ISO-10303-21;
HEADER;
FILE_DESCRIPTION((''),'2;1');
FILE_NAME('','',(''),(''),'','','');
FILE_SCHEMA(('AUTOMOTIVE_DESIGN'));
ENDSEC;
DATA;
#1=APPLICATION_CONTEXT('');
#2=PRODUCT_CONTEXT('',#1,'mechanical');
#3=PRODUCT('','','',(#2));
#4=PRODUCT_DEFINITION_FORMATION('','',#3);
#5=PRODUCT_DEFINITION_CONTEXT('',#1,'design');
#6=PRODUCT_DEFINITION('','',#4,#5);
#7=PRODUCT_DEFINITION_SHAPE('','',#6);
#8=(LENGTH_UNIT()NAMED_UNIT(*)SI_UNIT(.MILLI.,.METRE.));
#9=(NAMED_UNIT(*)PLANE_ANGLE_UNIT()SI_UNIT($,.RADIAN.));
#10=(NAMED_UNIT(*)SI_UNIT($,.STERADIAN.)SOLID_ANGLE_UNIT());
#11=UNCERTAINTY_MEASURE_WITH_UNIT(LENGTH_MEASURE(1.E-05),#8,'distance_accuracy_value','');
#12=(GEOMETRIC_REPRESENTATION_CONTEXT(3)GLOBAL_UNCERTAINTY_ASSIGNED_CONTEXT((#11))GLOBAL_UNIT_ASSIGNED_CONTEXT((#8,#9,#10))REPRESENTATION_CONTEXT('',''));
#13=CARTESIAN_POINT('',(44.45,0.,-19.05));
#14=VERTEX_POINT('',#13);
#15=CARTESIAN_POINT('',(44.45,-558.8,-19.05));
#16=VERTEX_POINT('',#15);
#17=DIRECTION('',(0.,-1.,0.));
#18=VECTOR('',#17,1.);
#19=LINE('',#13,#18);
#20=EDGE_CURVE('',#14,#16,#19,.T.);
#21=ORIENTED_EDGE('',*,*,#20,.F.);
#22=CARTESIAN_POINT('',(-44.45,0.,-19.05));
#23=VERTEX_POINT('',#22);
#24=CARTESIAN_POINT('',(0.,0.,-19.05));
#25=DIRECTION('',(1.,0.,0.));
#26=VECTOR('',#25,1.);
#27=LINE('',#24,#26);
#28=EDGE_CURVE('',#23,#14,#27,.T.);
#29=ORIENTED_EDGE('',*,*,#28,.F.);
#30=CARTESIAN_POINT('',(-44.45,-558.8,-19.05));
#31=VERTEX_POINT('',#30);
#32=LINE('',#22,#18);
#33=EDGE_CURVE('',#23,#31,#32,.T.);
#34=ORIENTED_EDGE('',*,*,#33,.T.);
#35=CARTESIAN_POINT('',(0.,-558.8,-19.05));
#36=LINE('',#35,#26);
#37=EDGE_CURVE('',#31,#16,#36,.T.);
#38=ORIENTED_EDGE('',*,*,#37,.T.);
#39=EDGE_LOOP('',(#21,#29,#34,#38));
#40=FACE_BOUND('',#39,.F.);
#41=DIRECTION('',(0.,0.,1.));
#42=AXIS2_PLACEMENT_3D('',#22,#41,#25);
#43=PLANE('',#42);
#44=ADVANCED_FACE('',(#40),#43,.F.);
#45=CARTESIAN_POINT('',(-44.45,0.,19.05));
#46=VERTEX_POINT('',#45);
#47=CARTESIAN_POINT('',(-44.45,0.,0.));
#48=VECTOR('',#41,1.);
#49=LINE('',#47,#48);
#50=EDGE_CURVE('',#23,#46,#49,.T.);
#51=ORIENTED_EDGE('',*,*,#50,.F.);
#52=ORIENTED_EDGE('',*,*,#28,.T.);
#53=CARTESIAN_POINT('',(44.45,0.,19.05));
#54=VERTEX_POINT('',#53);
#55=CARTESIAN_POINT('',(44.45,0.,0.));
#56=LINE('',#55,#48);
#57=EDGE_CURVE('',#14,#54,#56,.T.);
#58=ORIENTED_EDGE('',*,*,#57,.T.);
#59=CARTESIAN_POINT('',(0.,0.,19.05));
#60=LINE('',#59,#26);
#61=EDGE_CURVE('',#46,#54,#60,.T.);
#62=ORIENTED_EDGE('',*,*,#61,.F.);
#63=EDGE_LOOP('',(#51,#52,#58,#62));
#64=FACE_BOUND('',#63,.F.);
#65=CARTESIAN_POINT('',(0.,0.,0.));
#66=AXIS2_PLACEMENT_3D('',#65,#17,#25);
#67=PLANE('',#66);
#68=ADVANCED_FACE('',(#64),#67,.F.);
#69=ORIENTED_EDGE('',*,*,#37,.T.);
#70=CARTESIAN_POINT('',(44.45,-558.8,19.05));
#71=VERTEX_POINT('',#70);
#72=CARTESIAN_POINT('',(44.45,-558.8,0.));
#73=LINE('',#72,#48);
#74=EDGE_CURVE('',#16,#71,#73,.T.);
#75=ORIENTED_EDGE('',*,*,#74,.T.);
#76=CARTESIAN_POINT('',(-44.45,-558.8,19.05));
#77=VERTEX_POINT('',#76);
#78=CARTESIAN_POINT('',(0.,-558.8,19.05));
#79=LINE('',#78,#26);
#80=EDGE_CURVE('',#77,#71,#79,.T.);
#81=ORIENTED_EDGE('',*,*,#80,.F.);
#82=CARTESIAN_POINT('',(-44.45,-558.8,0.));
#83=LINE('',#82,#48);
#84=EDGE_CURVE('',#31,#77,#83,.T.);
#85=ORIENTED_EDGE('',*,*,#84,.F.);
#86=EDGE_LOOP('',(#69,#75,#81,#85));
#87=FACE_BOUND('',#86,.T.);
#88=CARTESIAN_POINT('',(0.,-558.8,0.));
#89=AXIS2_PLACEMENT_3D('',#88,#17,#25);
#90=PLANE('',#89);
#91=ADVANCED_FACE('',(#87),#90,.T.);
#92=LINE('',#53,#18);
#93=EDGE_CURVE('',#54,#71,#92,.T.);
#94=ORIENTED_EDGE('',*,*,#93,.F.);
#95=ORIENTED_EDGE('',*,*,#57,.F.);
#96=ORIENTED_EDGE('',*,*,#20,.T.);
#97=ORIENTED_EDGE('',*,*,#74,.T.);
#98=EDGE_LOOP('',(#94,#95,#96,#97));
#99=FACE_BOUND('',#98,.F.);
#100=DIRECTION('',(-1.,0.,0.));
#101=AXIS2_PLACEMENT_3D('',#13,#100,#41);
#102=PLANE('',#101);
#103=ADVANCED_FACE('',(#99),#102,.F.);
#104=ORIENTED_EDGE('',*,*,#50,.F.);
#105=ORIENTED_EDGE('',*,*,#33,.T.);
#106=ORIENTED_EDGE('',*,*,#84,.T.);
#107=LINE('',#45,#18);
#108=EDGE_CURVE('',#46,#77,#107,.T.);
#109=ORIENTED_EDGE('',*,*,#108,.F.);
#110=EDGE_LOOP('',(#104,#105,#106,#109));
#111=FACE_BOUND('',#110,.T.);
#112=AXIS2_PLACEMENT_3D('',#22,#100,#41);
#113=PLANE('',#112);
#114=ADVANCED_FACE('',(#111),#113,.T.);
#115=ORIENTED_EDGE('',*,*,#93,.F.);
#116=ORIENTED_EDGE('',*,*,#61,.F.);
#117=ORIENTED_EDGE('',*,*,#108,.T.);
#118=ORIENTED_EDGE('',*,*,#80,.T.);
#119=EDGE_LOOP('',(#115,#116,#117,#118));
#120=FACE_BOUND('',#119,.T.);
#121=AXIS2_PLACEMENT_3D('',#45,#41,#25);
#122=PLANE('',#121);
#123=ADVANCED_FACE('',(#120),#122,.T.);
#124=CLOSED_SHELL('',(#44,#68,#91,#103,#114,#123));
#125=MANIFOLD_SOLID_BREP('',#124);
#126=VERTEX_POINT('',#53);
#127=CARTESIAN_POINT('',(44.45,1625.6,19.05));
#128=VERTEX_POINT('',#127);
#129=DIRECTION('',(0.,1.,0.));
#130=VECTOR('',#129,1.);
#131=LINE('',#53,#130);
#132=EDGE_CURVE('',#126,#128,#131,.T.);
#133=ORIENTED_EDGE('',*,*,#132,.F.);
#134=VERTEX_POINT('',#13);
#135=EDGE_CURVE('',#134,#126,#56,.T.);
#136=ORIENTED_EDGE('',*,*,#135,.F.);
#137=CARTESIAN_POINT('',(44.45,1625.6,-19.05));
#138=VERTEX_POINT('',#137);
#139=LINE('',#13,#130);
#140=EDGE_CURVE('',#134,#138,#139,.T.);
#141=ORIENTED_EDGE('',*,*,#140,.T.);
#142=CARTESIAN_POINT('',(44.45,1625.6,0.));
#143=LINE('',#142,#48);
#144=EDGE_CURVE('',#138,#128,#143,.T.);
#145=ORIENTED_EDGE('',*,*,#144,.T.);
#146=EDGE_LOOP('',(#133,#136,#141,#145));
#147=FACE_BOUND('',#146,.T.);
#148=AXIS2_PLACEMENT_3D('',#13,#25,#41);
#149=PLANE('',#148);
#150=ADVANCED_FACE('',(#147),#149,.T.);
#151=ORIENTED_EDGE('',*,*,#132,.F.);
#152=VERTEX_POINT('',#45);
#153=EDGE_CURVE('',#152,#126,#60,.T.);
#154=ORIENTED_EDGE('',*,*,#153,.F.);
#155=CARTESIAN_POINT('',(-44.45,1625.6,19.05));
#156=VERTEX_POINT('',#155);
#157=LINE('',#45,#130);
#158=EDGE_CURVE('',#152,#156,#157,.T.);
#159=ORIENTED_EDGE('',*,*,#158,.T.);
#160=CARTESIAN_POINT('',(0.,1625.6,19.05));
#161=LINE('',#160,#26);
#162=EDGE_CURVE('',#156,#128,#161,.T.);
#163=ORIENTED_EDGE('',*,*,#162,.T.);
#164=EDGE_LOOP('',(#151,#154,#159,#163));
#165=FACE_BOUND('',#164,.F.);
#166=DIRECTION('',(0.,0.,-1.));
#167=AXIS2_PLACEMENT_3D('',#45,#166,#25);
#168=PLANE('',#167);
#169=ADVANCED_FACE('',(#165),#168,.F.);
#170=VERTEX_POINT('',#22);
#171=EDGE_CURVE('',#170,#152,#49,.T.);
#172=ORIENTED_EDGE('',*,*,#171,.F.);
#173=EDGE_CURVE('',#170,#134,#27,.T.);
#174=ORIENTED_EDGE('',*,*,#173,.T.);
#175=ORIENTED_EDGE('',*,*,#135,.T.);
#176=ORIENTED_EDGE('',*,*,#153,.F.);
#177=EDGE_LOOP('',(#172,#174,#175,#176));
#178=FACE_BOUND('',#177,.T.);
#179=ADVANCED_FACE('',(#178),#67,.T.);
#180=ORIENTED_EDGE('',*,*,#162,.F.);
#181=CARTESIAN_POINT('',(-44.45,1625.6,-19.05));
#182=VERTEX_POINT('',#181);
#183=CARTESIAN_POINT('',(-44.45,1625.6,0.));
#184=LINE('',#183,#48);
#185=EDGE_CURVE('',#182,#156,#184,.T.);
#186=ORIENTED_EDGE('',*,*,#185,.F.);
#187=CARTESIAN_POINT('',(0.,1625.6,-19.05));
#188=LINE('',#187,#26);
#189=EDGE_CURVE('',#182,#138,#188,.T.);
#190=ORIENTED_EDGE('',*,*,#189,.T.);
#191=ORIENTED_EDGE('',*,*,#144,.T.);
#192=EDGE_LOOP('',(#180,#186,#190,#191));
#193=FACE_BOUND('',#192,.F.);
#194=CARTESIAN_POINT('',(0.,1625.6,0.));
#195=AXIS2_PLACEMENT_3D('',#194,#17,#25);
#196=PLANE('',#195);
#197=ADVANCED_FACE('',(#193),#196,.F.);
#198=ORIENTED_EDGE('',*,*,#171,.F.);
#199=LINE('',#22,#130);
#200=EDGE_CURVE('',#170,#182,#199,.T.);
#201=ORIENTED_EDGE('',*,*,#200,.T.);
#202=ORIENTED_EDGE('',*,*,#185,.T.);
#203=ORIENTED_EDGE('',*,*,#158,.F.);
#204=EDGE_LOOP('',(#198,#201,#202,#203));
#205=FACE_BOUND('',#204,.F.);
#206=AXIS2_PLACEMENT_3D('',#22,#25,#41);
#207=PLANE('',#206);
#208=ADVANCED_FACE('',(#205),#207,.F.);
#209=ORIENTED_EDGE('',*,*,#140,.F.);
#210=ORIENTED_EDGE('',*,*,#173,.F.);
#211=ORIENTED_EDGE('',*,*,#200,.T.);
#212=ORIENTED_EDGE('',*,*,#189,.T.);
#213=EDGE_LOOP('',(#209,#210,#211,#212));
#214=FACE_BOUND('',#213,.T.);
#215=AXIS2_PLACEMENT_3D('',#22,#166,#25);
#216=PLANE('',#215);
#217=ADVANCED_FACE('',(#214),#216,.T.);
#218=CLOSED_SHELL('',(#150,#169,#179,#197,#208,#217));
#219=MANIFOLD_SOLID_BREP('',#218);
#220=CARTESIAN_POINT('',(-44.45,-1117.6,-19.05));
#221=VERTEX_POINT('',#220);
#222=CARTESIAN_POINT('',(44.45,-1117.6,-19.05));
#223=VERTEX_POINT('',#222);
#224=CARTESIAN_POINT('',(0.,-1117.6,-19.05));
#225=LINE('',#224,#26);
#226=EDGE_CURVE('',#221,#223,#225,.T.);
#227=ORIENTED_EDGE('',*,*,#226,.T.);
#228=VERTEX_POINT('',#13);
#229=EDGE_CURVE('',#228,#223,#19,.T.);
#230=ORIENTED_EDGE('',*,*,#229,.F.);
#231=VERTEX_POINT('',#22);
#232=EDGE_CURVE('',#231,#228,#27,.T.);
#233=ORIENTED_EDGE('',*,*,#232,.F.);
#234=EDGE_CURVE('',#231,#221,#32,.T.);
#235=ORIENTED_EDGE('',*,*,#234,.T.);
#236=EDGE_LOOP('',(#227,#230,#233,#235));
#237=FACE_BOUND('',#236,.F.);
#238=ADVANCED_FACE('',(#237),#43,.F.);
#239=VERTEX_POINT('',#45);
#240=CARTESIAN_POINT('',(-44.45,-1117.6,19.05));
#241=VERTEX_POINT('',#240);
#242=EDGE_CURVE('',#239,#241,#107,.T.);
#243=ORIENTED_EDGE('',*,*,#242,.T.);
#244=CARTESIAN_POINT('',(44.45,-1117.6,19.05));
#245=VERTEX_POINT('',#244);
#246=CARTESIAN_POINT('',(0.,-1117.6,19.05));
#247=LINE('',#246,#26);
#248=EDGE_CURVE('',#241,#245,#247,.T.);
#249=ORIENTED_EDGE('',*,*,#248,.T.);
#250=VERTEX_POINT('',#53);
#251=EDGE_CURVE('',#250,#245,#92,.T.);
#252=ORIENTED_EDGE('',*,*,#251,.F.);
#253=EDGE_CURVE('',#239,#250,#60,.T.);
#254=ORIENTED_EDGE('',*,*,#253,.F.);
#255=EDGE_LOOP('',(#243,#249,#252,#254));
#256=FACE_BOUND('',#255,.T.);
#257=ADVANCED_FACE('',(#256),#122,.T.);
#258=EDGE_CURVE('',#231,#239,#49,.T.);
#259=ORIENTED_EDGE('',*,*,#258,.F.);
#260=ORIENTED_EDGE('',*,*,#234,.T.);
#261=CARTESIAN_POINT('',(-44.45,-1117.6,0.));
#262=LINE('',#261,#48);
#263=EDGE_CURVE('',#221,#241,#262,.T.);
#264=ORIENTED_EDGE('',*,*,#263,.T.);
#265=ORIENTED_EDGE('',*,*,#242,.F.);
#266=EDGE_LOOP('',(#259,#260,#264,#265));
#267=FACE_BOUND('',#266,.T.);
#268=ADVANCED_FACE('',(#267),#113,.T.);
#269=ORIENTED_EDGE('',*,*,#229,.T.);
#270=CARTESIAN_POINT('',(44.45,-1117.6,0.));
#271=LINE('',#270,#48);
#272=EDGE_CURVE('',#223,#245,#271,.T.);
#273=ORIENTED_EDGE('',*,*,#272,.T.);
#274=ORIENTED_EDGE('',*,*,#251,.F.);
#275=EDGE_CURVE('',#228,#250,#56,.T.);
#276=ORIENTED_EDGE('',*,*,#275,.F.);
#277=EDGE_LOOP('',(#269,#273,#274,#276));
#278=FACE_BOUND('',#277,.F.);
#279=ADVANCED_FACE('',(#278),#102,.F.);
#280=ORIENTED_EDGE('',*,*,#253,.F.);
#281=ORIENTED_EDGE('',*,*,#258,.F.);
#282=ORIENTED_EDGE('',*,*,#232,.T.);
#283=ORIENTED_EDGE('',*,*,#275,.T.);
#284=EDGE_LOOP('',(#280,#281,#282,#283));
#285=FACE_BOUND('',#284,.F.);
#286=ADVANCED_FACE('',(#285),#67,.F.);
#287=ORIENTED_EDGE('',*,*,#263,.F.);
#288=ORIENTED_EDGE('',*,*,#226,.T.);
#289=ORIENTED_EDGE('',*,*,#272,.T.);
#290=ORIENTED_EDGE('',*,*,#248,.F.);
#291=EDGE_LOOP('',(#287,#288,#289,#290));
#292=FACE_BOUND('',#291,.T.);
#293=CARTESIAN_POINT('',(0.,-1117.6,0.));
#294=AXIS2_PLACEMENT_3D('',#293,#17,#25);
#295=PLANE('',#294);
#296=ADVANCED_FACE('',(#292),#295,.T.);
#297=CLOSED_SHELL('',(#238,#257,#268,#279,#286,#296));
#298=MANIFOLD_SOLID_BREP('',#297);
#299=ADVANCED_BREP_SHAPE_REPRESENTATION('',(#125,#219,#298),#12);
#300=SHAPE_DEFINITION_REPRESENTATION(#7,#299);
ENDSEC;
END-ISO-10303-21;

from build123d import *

# Parameters (mm, degrees)
F0_W     = 88.9
F0_H     = 38.1
F1_DEPTH = 1625.6
F2_DEPTH = 1117.6
F3_DEPTH = 558.8


with BuildPart() as f1:
    # F0 (on Front) → F1 (new body)
    with BuildSketch(Plane.XZ):
        Rectangle(F0_W, F0_H)
    extrude(amount=-F1_DEPTH)


with BuildPart() as f2:
    # F0 (on Front) → F2 (new body)
    with BuildSketch(Plane.XZ):
        Rectangle(F0_W, F0_H)
    extrude(amount=F2_DEPTH)


with BuildPart() as f3:
    # F0 (on Front) → F3 (new body)
    with BuildSketch(Plane.XZ):
        Rectangle(F0_W, F0_H)
    extrude(amount=F3_DEPTH)


solid = Compound([f1.part, f2.part, f3.part])
